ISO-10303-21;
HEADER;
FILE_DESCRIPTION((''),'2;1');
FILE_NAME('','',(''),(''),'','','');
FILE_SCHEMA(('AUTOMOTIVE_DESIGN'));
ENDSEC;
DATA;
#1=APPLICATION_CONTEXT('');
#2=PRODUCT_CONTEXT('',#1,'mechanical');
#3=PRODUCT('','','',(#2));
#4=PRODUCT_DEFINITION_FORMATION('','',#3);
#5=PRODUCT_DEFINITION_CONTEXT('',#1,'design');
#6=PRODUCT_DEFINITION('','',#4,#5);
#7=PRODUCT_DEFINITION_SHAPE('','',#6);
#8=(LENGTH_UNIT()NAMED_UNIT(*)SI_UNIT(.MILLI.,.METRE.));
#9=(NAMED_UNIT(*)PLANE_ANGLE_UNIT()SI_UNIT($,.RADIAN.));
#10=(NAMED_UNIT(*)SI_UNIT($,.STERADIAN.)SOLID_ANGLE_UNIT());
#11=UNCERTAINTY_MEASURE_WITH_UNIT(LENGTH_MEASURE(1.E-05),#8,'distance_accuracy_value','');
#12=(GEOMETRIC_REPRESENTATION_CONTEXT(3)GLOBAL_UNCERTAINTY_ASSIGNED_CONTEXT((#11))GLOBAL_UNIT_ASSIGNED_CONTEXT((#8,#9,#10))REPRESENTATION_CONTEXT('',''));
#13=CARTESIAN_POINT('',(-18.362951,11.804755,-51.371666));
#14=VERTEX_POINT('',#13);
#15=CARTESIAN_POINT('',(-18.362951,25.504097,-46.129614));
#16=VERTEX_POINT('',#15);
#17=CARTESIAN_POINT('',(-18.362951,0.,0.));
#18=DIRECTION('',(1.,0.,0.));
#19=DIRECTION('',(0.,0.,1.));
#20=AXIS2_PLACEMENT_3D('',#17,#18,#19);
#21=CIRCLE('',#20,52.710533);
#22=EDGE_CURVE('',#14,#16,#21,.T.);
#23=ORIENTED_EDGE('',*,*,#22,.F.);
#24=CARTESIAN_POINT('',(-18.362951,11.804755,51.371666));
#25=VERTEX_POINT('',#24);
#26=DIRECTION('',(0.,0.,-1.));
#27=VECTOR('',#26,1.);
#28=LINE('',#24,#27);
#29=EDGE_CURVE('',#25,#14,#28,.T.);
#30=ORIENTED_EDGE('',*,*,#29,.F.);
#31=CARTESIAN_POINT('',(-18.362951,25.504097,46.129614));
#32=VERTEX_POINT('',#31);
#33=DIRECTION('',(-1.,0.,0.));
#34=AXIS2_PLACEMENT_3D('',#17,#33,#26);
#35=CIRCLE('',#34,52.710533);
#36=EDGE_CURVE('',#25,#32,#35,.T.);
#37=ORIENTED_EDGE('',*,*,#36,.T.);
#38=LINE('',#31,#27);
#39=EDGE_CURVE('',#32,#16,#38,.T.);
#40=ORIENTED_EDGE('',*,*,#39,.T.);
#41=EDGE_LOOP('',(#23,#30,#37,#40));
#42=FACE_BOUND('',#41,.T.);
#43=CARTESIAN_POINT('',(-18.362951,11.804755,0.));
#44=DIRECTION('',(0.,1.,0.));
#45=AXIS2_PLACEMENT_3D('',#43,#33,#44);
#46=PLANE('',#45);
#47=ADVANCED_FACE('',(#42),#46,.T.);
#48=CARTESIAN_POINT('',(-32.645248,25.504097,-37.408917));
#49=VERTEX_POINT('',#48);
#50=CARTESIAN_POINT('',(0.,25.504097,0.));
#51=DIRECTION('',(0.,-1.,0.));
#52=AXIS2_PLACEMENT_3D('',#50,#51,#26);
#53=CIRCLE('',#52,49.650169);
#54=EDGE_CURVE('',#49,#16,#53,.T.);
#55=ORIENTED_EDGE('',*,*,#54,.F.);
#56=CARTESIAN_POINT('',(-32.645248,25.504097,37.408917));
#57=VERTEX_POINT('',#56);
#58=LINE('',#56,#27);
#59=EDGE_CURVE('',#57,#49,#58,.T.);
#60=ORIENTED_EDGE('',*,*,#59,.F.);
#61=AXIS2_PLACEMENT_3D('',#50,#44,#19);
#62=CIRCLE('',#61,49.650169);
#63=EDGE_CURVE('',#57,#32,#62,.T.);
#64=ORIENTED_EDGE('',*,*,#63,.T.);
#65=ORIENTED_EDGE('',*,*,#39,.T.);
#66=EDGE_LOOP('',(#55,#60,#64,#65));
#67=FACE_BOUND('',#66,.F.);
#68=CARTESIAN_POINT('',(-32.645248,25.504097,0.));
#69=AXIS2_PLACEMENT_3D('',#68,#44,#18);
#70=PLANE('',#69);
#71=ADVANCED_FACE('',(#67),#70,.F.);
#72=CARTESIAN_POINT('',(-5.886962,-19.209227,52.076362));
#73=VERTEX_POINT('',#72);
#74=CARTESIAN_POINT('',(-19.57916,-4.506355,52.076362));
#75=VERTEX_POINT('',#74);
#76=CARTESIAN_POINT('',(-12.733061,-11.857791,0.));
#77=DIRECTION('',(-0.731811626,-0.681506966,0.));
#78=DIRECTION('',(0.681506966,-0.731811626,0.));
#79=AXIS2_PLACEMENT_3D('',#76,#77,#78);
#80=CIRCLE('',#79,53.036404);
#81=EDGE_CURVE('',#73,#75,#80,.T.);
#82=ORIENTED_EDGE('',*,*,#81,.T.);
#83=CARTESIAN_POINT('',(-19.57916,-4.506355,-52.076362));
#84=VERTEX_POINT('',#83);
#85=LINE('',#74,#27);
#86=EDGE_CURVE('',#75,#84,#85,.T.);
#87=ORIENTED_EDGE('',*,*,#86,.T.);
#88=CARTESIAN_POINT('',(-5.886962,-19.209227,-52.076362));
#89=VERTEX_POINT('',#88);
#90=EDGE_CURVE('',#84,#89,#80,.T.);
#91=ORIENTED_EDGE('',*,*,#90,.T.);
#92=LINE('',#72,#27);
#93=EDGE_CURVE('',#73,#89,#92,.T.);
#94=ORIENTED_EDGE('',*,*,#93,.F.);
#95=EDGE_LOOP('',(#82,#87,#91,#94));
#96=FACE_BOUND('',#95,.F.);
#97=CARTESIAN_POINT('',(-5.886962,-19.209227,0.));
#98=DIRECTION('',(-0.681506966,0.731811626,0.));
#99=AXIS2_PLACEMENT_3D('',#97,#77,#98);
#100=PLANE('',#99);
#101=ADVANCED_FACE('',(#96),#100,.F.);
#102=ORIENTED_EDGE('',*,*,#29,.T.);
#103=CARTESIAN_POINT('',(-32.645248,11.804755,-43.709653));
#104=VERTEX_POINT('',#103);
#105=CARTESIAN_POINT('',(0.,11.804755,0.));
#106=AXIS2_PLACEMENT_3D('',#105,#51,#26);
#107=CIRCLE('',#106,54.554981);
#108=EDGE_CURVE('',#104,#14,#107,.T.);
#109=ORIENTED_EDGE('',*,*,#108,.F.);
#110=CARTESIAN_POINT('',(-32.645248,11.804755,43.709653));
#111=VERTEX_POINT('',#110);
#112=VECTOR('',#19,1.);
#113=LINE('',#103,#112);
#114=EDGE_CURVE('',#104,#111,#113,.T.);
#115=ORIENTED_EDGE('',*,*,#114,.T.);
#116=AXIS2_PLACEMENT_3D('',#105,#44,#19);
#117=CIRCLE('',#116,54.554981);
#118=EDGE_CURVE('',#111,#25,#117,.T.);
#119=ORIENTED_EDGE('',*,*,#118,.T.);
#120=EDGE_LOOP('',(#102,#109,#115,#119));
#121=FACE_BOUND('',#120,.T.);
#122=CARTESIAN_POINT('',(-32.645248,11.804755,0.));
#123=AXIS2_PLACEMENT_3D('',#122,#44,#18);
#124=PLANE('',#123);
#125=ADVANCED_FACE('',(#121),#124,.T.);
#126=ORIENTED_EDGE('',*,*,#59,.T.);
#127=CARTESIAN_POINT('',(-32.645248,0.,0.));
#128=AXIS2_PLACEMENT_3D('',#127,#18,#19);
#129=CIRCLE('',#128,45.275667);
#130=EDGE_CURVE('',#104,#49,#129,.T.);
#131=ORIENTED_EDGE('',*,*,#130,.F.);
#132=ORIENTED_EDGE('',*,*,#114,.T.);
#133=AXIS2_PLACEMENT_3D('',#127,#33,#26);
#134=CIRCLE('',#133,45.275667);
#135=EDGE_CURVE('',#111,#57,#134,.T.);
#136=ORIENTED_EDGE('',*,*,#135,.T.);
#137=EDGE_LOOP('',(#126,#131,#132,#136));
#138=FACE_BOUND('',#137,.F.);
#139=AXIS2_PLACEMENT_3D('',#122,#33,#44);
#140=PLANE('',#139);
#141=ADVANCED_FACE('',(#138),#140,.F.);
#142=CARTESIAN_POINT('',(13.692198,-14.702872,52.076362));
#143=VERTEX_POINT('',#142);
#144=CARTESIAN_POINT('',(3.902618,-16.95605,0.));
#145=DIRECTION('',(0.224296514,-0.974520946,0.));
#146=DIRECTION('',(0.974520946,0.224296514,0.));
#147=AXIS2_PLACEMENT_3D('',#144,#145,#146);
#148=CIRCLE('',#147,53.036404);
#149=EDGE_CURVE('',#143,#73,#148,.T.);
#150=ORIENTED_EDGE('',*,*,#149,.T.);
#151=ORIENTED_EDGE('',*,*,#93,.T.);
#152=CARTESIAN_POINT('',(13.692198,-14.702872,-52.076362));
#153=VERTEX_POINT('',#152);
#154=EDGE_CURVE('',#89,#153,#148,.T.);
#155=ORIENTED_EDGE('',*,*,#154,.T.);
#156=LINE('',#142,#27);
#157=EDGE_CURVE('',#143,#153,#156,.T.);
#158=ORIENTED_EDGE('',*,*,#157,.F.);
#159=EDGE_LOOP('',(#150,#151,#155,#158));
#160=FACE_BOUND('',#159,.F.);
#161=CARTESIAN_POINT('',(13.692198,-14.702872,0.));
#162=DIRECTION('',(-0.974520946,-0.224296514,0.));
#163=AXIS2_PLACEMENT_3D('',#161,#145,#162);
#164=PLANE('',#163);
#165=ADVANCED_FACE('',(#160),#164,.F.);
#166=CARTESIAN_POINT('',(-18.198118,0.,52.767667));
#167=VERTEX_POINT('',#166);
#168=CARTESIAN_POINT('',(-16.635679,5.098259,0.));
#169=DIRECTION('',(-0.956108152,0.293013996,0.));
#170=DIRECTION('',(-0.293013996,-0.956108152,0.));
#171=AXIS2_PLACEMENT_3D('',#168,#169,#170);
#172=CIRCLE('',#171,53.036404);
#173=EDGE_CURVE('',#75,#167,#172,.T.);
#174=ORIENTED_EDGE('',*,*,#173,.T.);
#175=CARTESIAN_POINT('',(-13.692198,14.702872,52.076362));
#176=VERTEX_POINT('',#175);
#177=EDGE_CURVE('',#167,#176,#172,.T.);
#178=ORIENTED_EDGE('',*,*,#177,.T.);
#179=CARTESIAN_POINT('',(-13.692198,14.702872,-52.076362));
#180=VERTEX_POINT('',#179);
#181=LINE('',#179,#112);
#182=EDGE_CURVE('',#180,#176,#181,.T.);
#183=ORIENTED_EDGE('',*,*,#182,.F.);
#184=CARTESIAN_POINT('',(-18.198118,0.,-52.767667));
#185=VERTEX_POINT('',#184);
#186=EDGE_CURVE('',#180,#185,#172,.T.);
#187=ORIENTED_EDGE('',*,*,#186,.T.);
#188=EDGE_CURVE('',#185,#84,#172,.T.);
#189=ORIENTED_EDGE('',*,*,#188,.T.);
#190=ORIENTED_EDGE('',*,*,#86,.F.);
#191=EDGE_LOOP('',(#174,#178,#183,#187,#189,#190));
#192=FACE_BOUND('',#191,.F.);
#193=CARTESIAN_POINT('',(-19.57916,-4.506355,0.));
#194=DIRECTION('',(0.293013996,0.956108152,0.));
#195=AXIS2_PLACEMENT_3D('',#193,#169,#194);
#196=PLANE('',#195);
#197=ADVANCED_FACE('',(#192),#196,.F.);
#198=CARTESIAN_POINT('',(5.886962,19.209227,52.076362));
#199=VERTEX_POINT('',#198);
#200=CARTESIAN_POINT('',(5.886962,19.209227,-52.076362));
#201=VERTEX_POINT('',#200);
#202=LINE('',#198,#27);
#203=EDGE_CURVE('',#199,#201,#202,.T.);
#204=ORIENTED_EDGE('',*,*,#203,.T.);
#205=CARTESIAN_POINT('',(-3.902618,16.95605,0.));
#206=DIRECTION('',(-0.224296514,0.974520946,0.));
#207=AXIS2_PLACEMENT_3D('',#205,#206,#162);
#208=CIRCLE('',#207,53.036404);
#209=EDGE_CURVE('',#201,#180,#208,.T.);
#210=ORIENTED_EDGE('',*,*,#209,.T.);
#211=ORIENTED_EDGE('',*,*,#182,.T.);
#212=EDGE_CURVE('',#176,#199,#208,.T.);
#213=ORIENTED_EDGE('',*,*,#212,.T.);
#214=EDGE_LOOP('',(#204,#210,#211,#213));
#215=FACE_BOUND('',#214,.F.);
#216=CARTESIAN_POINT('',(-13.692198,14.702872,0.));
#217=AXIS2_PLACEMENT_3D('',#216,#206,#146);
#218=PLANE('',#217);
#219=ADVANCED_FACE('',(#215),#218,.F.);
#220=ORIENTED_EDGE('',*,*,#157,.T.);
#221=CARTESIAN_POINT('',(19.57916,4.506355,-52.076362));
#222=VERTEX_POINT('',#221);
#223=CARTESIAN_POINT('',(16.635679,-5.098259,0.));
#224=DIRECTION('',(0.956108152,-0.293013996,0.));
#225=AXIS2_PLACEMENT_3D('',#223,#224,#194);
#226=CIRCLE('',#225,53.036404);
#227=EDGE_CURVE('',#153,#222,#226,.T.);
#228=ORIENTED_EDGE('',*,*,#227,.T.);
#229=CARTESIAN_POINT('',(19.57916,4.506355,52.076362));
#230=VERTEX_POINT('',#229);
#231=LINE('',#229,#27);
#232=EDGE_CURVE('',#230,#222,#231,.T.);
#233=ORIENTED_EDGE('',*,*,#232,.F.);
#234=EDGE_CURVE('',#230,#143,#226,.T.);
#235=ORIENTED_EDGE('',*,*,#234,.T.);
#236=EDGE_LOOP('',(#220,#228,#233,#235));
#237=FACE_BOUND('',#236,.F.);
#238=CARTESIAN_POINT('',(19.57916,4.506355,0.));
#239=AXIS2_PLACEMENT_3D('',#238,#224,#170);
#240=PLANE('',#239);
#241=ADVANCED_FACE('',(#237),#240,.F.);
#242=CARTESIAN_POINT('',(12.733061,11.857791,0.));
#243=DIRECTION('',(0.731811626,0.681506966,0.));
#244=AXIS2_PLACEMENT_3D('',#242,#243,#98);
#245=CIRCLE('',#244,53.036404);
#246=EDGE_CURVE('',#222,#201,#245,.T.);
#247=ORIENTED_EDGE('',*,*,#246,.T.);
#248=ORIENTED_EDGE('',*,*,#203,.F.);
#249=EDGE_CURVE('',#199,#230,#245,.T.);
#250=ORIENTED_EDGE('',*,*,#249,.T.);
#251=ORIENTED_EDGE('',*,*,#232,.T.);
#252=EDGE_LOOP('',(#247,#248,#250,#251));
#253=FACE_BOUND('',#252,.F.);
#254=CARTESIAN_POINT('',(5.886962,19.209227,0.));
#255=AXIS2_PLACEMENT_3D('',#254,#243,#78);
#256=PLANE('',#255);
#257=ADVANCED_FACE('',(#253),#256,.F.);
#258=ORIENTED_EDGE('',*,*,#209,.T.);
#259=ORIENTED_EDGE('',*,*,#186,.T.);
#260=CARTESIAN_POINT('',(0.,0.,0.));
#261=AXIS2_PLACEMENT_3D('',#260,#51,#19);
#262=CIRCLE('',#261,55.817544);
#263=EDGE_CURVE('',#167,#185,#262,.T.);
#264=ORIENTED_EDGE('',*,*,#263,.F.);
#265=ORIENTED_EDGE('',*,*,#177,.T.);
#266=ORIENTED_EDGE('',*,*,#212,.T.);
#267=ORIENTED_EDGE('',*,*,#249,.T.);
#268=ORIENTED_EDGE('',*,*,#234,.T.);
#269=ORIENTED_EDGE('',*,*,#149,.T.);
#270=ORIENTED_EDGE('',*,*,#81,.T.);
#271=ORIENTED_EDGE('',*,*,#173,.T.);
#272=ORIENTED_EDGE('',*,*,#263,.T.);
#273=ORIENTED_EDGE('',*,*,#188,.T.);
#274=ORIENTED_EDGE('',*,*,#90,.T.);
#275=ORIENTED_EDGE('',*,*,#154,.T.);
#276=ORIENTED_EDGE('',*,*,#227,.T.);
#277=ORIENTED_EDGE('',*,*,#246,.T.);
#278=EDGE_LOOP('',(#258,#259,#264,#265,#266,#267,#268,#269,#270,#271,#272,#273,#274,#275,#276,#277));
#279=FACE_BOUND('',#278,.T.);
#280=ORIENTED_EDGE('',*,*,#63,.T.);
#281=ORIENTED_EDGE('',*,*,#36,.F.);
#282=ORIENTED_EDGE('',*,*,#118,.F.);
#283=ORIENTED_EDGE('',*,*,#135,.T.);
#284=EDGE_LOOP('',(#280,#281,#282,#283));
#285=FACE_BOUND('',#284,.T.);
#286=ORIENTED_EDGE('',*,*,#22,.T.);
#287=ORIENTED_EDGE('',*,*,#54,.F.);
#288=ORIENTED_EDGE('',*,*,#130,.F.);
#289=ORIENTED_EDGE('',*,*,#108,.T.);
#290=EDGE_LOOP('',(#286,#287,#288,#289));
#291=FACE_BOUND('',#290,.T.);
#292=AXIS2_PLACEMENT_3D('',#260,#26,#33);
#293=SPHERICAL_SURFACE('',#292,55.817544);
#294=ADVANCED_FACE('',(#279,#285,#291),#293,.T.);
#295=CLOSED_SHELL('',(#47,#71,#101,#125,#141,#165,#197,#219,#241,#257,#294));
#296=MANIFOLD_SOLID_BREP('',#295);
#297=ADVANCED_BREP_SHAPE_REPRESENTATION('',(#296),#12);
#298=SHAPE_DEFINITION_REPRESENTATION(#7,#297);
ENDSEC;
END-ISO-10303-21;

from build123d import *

# Parameters (mm, degrees)
F2_W     = 14.282297
F2_H     = 13.699342
F3_DEPTH = 67.818
F4_DEPTH = 221.996
F6_DEPTH = 96.774
F7_DEPTH = 104.648


with BuildPart() as f1:
    # F0 (on Front) → F1 (revolve)
    with BuildSketch(Plane.XZ):
        with BuildLine():
            Line((0, -55.817544), (0, 55.817544))
            ThreePointArc((0, 55.817544), (-55.817544, 0), (0, -55.817544))
        make_face()
    revolve(axis=Axis((0, 0, 0.145737), (0, 0, -1)))

    # F2 (on Top) → F3 (cut)
    with BuildSketch(Plane.XY):
        with Locations((-25.504099, 18.654426)):
            Rectangle(F2_W, F2_H)
    extrude(amount=-F3_DEPTH, mode=Mode.SUBTRACT)

    # F2 (on Top) → F4 (cut)
    with BuildSketch(Plane.XY):
        with Locations((-25.504099, 18.654426)):
            Rectangle(F2_W, F2_H)
    extrude(amount=F4_DEPTH, mode=Mode.SUBTRACT)

    # F5 (on Top) → F6 (cut)
    with BuildSketch(Plane.XY):
        Polygon((19.57916, 4.506355), (5.886962, 19.209227), (-13.692198, 14.702872), (-19.57916, -4.506355), (-5.886962, -19.209227), (13.692198, -14.702872), align=None)
    extrude(amount=-F6_DEPTH, mode=Mode.SUBTRACT)

    # F6_face (on face) → F7 (cut)
    with BuildSketch(Plane(origin=(0, 0, 0), x_dir=(1, 0, 0), z_dir=(0, 0, -1))):
        Polygon((5.886962, -19.209227), (19.57916, -4.506355), (13.692198, 14.702872), (-5.886962, 19.209227), (-19.57916, 4.506355), (-13.692198, -14.702872), align=None)
    extrude(amount=-F7_DEPTH, mode=Mode.SUBTRACT)


solid = f1.part
